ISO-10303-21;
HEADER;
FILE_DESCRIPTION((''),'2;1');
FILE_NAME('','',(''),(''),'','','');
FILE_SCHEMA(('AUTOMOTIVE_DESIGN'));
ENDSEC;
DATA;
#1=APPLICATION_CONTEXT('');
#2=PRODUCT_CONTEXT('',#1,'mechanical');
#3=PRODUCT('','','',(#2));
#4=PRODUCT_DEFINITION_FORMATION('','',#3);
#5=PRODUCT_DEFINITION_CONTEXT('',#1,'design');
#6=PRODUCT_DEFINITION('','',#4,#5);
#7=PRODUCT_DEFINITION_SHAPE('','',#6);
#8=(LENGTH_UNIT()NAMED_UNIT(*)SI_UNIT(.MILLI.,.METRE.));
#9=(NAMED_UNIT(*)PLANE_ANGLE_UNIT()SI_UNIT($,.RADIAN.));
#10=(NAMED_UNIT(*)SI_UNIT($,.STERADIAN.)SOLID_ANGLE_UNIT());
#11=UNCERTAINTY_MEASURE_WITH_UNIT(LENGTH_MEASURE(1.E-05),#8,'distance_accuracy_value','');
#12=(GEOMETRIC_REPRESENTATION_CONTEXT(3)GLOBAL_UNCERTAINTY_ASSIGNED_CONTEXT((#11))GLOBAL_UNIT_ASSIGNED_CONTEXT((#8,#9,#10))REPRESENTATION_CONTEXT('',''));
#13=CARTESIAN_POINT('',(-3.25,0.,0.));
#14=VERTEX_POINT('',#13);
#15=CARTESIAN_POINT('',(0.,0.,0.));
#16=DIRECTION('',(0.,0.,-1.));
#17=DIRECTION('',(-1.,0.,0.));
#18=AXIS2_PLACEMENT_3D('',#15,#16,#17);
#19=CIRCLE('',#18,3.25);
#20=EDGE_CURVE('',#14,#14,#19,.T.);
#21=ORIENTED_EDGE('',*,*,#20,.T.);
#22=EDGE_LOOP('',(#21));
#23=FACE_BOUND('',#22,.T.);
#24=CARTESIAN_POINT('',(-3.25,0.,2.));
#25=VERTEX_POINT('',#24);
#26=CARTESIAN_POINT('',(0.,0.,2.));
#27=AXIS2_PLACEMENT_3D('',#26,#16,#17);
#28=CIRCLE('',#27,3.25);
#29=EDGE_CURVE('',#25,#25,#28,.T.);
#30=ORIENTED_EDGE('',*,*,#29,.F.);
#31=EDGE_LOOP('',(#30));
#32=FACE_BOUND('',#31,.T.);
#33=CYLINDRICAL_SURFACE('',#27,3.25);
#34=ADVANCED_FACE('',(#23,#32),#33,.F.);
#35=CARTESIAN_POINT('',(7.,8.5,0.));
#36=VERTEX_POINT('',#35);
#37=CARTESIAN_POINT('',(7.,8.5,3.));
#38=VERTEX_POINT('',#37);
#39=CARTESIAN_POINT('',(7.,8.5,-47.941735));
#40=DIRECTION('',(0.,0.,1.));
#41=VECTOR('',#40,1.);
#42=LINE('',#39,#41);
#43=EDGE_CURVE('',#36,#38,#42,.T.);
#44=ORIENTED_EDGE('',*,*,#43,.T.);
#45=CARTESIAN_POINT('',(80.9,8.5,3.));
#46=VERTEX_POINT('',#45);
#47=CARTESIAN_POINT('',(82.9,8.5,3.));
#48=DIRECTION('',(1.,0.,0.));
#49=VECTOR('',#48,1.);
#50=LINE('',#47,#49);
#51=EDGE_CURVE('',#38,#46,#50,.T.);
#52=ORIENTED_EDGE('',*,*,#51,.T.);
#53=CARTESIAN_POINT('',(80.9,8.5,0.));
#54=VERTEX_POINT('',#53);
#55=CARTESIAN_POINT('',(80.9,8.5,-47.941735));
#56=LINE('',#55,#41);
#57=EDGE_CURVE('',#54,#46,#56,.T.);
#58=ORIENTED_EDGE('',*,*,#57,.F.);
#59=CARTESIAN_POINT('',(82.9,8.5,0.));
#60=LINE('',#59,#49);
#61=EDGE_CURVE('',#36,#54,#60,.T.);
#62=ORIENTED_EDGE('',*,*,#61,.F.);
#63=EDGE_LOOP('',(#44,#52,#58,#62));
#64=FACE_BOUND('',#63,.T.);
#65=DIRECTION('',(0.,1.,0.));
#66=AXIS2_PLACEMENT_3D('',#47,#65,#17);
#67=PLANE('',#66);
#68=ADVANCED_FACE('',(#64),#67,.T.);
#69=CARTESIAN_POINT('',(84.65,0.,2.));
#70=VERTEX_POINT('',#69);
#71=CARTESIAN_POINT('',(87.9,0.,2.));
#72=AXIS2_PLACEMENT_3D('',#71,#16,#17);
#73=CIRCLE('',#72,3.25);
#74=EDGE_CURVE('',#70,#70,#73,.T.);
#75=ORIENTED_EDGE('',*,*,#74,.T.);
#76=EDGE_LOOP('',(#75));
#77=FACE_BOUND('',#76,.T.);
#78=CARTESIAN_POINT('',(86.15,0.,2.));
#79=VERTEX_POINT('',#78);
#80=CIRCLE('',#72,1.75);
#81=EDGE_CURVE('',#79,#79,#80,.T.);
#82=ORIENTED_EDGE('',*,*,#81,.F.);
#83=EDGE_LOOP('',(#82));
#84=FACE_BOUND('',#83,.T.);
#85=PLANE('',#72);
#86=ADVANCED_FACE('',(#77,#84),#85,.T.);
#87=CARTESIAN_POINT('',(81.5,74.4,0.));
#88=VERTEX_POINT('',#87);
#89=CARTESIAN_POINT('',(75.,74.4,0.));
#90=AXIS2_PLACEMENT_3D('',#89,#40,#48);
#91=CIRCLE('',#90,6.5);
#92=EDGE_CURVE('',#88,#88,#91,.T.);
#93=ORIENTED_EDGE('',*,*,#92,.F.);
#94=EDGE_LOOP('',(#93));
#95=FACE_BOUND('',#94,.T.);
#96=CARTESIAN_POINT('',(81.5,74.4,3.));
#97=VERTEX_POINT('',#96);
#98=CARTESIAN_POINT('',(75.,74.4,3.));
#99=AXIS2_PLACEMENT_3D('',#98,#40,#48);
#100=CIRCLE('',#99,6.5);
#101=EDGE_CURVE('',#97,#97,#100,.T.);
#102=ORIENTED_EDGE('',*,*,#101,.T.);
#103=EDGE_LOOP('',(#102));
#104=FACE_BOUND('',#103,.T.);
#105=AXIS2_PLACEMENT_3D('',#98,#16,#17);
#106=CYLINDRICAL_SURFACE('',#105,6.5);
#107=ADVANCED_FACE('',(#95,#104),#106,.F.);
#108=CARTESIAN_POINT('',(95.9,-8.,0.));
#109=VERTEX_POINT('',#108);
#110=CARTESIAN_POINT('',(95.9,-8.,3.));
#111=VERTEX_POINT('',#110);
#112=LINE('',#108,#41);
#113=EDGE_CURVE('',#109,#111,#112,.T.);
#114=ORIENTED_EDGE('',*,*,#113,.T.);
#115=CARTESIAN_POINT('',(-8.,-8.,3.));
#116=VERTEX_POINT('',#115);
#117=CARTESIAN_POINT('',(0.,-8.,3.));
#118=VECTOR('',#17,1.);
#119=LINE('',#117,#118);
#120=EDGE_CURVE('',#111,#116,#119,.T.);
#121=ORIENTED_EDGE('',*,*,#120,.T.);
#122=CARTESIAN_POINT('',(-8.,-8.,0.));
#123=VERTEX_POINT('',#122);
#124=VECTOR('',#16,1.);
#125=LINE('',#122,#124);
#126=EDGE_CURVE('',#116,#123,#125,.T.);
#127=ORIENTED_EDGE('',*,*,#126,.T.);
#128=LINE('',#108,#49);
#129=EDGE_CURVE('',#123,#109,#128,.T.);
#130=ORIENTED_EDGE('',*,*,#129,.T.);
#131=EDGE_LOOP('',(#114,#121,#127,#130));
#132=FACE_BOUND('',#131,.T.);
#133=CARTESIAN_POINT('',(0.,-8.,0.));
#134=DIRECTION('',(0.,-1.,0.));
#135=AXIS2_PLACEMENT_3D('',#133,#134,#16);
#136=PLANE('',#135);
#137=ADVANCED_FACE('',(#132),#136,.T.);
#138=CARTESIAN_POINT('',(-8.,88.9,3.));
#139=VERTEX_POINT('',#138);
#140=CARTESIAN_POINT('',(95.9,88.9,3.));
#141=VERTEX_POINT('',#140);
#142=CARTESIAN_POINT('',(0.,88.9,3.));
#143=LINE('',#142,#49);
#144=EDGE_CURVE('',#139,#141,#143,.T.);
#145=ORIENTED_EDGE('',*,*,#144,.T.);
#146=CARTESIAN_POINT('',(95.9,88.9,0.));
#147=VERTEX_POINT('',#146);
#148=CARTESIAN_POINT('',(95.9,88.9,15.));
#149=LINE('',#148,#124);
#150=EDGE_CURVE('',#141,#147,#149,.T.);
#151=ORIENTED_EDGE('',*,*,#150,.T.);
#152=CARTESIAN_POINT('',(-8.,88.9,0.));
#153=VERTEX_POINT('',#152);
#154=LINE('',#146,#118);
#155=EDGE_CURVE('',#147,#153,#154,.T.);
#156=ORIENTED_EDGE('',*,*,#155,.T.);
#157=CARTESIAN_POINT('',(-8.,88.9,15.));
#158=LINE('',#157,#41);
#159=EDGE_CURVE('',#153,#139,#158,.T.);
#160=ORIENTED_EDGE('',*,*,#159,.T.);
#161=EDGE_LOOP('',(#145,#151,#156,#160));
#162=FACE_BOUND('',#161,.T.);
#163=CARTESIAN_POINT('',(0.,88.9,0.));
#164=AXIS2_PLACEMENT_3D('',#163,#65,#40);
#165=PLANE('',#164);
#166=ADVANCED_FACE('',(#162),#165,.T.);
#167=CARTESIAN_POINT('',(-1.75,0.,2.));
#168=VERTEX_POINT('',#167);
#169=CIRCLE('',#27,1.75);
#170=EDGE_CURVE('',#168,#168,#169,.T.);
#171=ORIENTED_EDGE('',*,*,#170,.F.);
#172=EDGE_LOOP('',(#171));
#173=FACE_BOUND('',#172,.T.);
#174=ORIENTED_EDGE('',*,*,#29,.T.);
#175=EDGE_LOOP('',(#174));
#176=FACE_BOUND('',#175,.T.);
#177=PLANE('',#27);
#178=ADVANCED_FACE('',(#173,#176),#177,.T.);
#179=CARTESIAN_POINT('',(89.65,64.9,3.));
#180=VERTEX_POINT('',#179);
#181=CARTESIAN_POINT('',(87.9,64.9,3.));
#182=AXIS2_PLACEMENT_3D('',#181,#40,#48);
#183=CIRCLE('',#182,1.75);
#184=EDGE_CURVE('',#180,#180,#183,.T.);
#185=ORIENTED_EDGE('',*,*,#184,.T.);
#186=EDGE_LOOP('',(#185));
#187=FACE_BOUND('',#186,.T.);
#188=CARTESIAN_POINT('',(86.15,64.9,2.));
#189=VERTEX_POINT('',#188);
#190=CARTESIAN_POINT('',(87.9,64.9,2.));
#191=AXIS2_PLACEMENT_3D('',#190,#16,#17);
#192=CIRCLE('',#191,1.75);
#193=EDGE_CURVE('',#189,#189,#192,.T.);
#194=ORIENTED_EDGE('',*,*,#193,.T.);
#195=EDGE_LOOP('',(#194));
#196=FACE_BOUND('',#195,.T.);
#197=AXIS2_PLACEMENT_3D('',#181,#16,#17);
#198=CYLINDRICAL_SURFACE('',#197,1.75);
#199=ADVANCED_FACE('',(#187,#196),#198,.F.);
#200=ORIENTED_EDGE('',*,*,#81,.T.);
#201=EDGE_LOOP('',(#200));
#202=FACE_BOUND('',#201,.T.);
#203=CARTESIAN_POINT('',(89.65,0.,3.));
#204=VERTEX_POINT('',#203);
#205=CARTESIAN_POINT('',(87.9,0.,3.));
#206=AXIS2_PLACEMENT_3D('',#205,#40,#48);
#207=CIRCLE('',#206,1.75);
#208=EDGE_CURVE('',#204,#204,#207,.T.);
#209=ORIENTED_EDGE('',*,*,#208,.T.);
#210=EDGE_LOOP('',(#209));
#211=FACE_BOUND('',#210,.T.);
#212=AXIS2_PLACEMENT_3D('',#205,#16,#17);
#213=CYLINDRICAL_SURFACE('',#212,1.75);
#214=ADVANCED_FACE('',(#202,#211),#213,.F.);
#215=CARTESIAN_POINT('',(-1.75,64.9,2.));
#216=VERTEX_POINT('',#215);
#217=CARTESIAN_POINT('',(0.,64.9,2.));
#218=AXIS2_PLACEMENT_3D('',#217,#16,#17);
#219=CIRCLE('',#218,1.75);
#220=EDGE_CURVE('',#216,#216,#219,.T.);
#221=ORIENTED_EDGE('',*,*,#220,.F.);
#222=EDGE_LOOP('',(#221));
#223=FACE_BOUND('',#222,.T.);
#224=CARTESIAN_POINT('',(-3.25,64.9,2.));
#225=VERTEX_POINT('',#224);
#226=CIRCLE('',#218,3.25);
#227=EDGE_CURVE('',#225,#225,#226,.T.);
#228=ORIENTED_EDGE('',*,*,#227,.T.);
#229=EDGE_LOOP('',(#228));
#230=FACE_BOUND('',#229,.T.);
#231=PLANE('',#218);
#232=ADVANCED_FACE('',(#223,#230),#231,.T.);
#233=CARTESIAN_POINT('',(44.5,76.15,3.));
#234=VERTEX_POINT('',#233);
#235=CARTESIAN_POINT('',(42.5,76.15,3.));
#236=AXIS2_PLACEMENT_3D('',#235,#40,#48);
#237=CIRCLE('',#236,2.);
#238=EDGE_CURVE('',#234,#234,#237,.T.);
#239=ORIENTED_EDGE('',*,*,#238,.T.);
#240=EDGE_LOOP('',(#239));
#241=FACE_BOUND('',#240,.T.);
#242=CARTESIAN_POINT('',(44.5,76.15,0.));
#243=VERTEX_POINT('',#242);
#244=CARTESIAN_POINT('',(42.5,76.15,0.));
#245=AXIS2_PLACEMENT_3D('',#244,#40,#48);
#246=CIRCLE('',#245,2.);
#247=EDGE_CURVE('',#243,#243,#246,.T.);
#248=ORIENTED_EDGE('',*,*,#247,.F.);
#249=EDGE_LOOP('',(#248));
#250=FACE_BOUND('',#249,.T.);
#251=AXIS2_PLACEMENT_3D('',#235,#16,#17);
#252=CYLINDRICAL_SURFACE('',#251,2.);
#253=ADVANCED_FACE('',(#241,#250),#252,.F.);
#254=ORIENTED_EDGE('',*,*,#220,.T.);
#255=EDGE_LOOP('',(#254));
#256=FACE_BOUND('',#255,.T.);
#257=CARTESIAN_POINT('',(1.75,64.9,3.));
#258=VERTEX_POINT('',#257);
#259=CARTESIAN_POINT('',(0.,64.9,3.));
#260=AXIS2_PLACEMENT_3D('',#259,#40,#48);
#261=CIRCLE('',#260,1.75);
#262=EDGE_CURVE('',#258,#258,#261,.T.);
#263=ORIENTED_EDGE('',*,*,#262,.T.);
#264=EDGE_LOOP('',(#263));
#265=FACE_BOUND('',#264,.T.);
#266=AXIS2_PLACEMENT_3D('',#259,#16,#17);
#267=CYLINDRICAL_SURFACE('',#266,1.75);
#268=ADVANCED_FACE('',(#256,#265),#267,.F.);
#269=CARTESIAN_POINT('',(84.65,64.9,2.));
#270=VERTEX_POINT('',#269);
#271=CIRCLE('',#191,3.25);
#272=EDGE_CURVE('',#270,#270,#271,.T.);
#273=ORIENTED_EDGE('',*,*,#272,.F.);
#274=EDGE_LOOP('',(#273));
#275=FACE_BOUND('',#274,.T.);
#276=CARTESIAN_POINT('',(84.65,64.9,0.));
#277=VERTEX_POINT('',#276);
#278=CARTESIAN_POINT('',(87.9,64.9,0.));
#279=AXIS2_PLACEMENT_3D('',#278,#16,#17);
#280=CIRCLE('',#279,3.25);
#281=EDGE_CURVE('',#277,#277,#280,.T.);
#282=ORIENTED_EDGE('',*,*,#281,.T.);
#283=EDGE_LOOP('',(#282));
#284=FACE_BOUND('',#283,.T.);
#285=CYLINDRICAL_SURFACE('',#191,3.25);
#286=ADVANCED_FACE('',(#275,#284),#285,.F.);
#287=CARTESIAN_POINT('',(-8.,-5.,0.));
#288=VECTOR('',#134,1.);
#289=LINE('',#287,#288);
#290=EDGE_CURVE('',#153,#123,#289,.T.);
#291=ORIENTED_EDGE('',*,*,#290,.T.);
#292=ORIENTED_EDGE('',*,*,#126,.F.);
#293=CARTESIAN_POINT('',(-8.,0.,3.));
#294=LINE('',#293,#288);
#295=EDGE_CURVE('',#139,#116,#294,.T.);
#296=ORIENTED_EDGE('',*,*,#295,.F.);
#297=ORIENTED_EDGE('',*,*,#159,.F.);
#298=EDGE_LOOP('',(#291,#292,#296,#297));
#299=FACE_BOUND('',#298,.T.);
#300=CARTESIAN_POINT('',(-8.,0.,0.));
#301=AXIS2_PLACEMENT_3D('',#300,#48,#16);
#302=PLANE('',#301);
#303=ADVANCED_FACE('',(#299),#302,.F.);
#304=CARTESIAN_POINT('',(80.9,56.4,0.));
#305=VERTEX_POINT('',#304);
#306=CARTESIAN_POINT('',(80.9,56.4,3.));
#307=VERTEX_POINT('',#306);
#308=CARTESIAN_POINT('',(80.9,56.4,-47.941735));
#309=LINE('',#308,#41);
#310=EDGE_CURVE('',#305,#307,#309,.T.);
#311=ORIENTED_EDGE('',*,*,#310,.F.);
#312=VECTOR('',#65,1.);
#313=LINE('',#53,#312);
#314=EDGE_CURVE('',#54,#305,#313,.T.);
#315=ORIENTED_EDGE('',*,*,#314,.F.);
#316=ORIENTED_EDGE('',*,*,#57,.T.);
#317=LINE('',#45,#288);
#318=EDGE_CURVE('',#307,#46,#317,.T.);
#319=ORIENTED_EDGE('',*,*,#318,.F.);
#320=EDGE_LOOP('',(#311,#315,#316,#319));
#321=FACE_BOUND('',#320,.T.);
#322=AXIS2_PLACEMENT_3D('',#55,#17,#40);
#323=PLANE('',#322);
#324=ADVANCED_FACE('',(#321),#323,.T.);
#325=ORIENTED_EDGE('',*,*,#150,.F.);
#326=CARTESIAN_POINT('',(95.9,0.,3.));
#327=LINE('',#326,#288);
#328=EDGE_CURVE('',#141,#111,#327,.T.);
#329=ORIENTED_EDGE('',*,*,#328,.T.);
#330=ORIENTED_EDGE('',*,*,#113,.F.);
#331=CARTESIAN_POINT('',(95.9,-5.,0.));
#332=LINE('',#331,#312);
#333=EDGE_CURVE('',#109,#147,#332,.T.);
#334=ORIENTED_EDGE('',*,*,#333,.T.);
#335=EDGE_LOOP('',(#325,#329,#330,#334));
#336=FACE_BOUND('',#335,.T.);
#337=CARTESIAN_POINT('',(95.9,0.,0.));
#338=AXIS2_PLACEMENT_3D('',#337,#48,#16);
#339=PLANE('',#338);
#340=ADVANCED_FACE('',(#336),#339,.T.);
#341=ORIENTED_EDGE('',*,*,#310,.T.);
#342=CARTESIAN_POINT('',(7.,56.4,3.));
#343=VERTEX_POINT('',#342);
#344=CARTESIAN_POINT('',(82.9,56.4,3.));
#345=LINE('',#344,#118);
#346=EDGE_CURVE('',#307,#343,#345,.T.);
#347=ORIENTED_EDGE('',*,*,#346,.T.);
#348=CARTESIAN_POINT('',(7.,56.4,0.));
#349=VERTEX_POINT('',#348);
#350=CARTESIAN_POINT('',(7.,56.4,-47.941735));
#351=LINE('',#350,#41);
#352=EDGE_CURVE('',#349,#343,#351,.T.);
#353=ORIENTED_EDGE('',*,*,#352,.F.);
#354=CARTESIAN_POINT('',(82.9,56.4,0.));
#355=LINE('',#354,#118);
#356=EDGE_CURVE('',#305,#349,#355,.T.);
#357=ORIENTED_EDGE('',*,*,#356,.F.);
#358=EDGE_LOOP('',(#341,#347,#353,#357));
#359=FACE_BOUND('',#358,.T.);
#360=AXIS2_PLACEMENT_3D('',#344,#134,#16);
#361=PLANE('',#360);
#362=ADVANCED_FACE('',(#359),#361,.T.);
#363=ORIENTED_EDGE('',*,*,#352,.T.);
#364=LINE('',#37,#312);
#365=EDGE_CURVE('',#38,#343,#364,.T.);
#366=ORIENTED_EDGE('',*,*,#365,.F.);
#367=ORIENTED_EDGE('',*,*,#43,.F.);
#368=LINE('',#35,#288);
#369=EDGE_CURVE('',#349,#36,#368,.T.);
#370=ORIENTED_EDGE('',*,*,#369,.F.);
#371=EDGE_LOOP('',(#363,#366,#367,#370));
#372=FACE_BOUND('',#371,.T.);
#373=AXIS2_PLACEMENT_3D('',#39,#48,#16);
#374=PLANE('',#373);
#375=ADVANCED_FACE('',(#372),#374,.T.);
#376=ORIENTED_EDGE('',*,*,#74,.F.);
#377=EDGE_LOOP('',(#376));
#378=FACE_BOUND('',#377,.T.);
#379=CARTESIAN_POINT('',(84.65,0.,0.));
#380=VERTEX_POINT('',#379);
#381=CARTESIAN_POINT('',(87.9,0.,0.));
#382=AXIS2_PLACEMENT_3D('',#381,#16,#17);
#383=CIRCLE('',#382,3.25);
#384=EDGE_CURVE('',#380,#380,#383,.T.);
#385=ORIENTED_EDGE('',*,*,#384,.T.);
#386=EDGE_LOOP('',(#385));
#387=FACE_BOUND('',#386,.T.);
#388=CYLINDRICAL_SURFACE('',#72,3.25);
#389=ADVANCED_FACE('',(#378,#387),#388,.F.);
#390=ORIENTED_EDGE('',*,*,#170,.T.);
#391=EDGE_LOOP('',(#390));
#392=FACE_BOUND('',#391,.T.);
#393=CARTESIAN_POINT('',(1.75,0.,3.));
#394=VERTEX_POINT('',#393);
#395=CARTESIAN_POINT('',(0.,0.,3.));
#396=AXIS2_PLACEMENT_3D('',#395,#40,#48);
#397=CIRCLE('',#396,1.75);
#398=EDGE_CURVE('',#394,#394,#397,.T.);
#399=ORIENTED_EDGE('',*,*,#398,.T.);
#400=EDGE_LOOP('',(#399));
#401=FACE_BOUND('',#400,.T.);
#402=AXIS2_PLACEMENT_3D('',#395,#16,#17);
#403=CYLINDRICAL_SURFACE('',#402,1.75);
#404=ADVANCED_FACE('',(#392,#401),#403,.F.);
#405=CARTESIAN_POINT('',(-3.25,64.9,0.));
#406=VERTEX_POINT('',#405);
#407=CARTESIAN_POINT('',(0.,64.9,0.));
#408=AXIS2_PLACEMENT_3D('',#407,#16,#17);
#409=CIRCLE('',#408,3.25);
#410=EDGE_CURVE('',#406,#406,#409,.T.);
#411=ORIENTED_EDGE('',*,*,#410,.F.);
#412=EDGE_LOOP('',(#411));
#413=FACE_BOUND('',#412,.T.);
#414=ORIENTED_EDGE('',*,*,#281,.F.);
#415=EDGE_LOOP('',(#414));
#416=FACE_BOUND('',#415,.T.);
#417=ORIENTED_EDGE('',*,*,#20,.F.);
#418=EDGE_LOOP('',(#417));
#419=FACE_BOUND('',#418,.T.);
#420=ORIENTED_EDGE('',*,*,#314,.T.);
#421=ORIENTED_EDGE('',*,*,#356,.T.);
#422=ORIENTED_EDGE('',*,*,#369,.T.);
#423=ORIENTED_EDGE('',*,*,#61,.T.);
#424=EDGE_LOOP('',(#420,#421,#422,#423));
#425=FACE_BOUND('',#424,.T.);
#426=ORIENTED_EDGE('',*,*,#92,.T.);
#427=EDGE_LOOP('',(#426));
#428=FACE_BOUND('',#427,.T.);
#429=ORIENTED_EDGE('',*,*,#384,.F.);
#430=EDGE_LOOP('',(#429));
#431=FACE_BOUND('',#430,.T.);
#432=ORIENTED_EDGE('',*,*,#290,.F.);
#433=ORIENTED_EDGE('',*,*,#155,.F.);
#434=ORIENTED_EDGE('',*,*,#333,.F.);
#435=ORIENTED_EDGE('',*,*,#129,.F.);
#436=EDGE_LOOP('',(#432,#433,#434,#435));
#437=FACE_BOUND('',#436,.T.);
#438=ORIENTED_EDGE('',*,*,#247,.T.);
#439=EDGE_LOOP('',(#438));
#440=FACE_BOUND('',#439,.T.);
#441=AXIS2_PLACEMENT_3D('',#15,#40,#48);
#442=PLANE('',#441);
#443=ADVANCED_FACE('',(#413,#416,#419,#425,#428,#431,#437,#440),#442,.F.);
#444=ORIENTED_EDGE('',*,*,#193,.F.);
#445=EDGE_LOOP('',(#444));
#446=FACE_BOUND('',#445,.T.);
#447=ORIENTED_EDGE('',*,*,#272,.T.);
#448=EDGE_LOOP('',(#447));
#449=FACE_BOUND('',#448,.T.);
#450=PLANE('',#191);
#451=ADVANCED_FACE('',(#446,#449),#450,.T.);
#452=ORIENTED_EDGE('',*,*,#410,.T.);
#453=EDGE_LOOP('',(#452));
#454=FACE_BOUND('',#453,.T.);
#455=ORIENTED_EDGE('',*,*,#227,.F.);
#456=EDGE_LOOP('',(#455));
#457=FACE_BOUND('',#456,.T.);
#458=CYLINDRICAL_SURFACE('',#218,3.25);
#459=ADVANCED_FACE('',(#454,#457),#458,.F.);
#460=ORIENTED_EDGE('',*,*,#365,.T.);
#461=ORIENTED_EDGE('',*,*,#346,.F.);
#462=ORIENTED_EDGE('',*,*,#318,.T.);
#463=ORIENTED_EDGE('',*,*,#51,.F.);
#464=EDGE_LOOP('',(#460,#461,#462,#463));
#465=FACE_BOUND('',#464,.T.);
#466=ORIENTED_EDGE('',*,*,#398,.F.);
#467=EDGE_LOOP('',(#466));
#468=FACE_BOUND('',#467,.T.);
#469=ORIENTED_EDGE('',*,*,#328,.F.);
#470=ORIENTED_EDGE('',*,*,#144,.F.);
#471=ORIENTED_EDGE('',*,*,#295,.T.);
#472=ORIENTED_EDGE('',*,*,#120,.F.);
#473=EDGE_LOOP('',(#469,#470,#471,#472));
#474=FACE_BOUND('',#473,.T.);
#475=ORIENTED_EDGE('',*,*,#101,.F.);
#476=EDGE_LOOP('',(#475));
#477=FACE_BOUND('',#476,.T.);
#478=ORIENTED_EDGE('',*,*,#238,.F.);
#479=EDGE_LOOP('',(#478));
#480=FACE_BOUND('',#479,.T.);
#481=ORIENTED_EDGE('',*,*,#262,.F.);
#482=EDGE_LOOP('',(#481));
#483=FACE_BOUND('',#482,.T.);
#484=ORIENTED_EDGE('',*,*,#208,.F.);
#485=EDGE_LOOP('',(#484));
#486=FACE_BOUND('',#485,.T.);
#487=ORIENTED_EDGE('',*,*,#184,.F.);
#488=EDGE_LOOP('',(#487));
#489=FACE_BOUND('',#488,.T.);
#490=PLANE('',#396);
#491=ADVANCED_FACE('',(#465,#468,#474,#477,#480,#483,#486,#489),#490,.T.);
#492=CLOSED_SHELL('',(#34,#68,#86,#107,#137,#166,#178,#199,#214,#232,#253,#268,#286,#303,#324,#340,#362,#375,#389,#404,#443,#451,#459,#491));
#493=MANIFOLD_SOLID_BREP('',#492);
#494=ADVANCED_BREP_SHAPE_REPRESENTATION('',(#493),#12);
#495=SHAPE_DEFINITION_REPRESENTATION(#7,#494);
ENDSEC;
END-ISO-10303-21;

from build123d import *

# Parameters (mm, degrees)
SKETCH1_R           = 1.75
SKETCH1_R_2         = 6.5
SKETCH1_R_3         = 2
SKETCH1_W           = 77.9
SKETCH1_H           = 47.9
BOSS_EXTRUDE1_DEPTH = 3
SKETCH2_W           = 2
SKETCH2_H           = 47.9
BOSS_EXTRUDE2_DEPTH = 3
SKETCH4_W           = 15
SKETCH4_H           = 92.738679811
BOSS_EXTRUDE4_DEPTH = 3
SKETCH5_W           = 15
SKETCH5_H           = 92.013865939
BOSS_EXTRUDE5_DEPTH = 3
SKETCH7_W           = 103.9
SKETCH7_H           = 15
BOSS_EXTRUDE6_DEPTH = 3
SKETCH9_R           = 3.25
CUT_EXTRUDE1_DEPTH  = 2
SKETCH10_W          = 103.9
SKETCH10_H          = 15
BOSS_EXTRUDE8_DEPTH = 3
SKETCH12_R          = 3.75
SKETCH12_R_2        = 1.75
BOSS_EXTRUDE9_DEPTH = 8
SKETCH13_W          = 3
SKETCH13_H          = 23
CUT_EXTRUDE2_DEPTH  = 8
SKETCH14_W          = 281.555590783
SKETCH14_H          = 173.736843818
CUT_EXTRUDE3_DEPTH  = 12


with BuildPart() as part:
    # Sketch1 → Boss-Extrude1 (new body)
    with BuildSketch(Plane.XY):
        Polygon((-5, -5), (-5, 69.9), (-5, 85.9), (92.9, 85.9), (92.9, 69.9), (92.9, -5), align=None)
        with Locations((0, 64.9)):
            Circle(SKETCH1_R, mode=Mode.SUBTRACT)
        with Locations((87.9, 64.9)):
            Circle(SKETCH1_R, mode=Mode.SUBTRACT)
        with Locations((87.9, 0)):
            Circle(SKETCH1_R, mode=Mode.SUBTRACT)
        Circle(SKETCH1_R, mode=Mode.SUBTRACT)
        with Locations((75, 74.4)):
            Circle(SKETCH1_R_2, mode=Mode.SUBTRACT)
        with Locations((42.5, 76.15)):
            Circle(SKETCH1_R_3, mode=Mode.SUBTRACT)
        with Locations((43.95, 32.45)):
            Rectangle(SKETCH1_W, SKETCH1_H, mode=Mode.SUBTRACT)
    extrude(amount=BOSS_EXTRUDE1_DEPTH)

    # Sketch2 → Boss-Extrude2 (add)
    with BuildSketch(Plane.XY.offset(3)):
        with Locations((81.9, 32.45)):
            Rectangle(SKETCH2_W, SKETCH2_H)
        with Locations((6, 32.45)):
            Rectangle(SKETCH2_W, SKETCH2_H)
    extrude(amount=-BOSS_EXTRUDE2_DEPTH)

    # Sketch4 → Boss-Extrude4 (add)
    with BuildSketch(Plane(origin=(92.9, 0, 0), x_dir=(0, 0, -1), z_dir=(1, 0, 0))):
        with Locations((-7.5, 41.369339906)):
            Rectangle(SKETCH4_W, SKETCH4_H)
    extrude(amount=BOSS_EXTRUDE4_DEPTH)

    # Sketch5 → Boss-Extrude5 (add)
    with BuildSketch(Plane.ZY.offset(5)):
        with Locations((7.5, 41.006932969)):
            Rectangle(SKETCH5_W, SKETCH5_H)
    extrude(amount=BOSS_EXTRUDE5_DEPTH)

    # Sketch7 → Boss-Extrude6 (add)
    with BuildSketch(Plane(origin=(0, -5, 0), x_dir=(-1, 0, 0), z_dir=(0, -1, 0))):
        with Locations((-43.95, -7.5)):
            Rectangle(SKETCH7_W, SKETCH7_H)
    extrude(amount=BOSS_EXTRUDE6_DEPTH)

    # Sketch9 → Cut-Extrude1 (cut)
    with BuildSketch(Plane(origin=(0, 0, 0), x_dir=(-1, 0, 0), z_dir=(0, 0, -1))):
        Circle(SKETCH9_R)
        with Locations((-87.9, 0)):
            Circle(SKETCH9_R)
        with Locations((-87.9, 64.9)):
            Circle(SKETCH9_R)
        with Locations((0, 64.9)):
            Circle(SKETCH9_R)
    extrude(amount=-CUT_EXTRUDE1_DEPTH, mode=Mode.SUBTRACT)

    # Sketch10 → Boss-Extrude8 (add)
    with BuildSketch(Plane(origin=(0, 85.9, 0), x_dir=(1, 0, 0), z_dir=(0, 1, 0))):
        with Locations((43.95, -7.5)):
            Rectangle(SKETCH10_W, SKETCH10_H)
    extrude(amount=BOSS_EXTRUDE8_DEPTH)

    # Sketch12 → Boss-Extrude9 (add)
    with BuildSketch(Plane.XY.offset(3)):
        with Locations((0, 64.9)):
            Circle(SKETCH12_R)
        with Locations((0, 64.9)):
            Circle(SKETCH12_R_2, mode=Mode.SUBTRACT)
        Circle(SKETCH12_R)
        Circle(SKETCH12_R_2, mode=Mode.SUBTRACT)
        with Locations((87.9, 64.9)):
            Circle(SKETCH12_R)
        with Locations((87.9, 64.9)):
            Circle(SKETCH12_R_2, mode=Mode.SUBTRACT)
        with Locations((87.9, 0)):
            Circle(SKETCH12_R)
        with Locations((87.9, 0)):
            Circle(SKETCH12_R_2, mode=Mode.SUBTRACT)
    extrude(amount=BOSS_EXTRUDE9_DEPTH)

    # Sketch13 → Cut-Extrude2 (cut)
    with BuildSketch(Plane(origin=(95.9, 0, 0), x_dir=(0, 0, -1), z_dir=(1, 0, 0))):
        with Locations((-13.5, 53.54685285)):
            Rectangle(SKETCH13_W, SKETCH13_H)
    extrude(amount=-CUT_EXTRUDE2_DEPTH, mode=Mode.SUBTRACT)

    # Sketch14 → Cut-Extrude3 (cut)
    with BuildSketch(Plane.XY.offset(15)):
        with Locations((95.022411609, 36.684941712)):
            Rectangle(SKETCH14_W, SKETCH14_H)
    extrude(amount=-CUT_EXTRUDE3_DEPTH, mode=Mode.SUBTRACT)


solid = part.part
